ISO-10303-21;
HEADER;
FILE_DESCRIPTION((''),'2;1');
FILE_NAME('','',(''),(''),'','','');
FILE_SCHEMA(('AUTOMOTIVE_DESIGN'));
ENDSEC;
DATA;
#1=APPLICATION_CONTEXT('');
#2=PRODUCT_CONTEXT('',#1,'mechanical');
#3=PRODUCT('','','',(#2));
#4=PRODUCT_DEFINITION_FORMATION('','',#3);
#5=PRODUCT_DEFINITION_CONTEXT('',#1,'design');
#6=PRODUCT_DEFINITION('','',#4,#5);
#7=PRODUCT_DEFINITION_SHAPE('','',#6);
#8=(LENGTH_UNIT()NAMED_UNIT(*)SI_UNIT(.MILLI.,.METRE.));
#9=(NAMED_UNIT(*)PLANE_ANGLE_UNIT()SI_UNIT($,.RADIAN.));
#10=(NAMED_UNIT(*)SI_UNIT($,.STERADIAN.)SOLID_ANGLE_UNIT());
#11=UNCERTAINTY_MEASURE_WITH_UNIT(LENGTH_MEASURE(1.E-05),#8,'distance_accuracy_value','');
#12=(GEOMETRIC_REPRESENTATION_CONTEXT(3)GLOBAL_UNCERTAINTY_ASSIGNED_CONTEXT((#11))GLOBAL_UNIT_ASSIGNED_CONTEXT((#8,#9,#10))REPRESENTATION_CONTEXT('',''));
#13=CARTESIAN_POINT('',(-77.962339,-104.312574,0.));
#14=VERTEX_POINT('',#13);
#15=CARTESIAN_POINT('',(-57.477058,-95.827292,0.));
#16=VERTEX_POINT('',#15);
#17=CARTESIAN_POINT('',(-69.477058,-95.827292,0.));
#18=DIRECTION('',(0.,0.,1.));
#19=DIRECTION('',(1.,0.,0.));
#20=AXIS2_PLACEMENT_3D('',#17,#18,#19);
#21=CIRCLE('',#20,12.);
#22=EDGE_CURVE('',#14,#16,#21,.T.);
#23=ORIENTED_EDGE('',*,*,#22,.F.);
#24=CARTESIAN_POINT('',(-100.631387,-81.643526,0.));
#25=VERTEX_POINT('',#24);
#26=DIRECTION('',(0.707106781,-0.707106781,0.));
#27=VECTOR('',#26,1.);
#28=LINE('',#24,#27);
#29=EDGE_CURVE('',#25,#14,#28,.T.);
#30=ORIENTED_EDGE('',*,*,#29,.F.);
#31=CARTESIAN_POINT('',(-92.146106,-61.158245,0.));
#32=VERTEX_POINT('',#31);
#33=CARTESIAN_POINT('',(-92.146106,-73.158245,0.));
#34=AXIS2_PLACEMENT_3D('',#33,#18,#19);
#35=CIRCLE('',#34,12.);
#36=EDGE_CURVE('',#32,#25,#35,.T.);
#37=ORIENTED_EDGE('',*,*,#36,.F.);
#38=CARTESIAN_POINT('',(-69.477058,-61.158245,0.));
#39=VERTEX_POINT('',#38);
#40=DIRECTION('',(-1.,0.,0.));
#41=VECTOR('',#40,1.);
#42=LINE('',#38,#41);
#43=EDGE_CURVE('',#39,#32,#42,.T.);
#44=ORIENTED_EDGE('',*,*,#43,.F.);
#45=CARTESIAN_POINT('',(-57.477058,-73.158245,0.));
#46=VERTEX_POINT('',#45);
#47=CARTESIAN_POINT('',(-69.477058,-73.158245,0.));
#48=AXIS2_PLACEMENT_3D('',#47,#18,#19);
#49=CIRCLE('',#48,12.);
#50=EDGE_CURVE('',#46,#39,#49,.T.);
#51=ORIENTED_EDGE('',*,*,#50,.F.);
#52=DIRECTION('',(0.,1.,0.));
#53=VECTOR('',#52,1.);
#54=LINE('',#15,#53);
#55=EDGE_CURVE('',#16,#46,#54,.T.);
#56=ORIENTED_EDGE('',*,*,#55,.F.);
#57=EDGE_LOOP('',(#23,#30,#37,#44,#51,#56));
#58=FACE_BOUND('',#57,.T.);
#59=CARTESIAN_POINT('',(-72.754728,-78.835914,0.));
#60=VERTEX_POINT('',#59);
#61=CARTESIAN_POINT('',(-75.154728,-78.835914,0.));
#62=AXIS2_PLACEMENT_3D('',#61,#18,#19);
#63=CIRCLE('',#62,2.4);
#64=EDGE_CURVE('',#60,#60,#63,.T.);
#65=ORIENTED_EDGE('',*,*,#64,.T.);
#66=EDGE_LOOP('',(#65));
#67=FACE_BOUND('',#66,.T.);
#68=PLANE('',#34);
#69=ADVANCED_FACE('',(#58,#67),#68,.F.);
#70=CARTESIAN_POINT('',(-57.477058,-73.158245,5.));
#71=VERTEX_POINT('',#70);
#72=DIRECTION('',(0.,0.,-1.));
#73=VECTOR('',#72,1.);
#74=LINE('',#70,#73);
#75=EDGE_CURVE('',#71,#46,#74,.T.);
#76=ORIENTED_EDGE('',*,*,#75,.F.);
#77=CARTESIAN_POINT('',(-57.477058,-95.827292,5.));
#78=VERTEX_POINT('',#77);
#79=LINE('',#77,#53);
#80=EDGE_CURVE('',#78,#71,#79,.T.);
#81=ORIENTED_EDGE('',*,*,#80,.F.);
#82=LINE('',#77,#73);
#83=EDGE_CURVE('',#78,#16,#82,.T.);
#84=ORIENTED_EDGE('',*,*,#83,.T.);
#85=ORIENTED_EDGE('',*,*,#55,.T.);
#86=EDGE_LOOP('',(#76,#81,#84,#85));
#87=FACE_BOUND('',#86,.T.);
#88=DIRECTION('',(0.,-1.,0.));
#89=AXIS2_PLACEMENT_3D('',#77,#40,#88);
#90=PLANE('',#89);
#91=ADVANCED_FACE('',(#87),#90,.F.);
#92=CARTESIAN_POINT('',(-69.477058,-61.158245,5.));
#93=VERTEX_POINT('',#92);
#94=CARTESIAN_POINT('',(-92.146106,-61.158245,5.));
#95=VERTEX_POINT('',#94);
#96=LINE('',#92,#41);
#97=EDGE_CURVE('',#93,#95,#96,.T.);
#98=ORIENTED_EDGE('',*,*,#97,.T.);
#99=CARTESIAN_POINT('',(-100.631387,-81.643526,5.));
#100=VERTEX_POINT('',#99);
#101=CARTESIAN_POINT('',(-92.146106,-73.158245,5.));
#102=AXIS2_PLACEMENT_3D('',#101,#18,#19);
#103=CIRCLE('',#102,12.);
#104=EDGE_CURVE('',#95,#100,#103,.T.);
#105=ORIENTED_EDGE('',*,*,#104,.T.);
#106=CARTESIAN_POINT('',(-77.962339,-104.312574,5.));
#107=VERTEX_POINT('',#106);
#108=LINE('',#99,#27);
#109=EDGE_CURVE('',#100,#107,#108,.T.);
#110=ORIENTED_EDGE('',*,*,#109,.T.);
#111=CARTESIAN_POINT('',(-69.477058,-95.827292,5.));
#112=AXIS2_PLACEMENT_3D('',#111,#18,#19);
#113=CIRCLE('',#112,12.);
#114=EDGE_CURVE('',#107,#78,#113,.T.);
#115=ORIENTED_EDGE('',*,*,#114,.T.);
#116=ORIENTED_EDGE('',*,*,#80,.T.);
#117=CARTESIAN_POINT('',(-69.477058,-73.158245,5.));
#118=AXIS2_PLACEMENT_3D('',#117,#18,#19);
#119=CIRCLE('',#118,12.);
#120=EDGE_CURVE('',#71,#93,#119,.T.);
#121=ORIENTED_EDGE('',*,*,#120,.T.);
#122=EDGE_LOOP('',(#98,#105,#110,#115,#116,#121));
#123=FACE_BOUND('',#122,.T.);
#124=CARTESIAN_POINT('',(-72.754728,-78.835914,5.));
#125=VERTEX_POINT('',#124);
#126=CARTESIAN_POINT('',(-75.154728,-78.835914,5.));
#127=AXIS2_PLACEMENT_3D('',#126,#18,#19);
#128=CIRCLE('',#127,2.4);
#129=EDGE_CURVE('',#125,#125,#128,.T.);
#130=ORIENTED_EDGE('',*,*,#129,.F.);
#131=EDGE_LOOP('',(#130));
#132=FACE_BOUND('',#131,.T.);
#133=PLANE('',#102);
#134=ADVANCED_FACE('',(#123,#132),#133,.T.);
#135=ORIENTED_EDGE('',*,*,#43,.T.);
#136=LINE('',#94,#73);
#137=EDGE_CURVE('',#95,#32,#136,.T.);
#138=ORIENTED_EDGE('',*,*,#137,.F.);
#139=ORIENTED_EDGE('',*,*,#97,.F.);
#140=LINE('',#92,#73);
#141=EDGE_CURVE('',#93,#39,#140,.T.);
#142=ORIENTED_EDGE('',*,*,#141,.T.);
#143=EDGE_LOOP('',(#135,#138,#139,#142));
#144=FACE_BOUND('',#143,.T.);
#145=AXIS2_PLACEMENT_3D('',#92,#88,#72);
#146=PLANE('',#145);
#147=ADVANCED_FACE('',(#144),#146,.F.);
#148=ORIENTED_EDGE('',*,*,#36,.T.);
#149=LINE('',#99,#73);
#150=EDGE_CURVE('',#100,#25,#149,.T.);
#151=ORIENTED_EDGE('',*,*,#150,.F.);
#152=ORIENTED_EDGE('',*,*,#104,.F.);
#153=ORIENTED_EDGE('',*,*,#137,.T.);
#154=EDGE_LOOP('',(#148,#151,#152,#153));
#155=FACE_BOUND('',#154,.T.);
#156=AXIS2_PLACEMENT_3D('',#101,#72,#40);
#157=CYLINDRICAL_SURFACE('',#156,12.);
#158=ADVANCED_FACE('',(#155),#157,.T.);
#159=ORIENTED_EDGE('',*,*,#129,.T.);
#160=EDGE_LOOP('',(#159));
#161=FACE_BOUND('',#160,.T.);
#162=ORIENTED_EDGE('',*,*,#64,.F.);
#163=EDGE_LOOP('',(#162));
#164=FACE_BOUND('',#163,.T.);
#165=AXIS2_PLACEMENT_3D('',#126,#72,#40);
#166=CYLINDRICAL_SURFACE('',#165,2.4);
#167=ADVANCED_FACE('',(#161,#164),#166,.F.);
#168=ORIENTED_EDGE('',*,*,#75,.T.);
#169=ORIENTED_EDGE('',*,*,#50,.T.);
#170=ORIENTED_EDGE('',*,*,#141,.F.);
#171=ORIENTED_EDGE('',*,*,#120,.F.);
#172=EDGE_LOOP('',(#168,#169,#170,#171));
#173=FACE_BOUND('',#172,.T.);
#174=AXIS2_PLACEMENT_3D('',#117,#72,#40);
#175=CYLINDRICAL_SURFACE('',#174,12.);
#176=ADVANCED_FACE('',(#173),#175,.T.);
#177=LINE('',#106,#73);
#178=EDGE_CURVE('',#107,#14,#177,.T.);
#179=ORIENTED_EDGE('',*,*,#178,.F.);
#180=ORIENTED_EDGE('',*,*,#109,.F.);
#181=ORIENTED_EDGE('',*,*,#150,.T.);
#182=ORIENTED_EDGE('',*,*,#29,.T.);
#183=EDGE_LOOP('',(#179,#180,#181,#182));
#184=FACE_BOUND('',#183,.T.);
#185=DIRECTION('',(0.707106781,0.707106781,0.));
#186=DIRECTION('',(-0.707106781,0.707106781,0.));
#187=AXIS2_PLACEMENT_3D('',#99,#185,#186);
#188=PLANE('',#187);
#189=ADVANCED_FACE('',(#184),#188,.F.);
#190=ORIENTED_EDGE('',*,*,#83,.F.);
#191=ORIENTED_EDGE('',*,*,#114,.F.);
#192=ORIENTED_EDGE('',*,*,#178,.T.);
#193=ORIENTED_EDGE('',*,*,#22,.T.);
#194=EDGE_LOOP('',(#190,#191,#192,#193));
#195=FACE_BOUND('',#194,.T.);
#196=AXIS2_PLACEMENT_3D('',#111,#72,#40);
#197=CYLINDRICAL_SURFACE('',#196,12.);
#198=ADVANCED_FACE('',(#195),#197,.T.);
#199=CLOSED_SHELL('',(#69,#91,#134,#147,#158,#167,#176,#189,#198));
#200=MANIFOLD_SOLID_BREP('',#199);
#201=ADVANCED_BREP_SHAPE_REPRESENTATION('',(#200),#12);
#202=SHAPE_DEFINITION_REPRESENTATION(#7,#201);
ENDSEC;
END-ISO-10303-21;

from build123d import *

# Parameters (mm, degrees)
SKETCH1_R           = 2.4
BOSS_EXTRUDE1_DEPTH = 5


with BuildPart() as part:
    # Sketch1 → Boss-Extrude1 (new body)
    with BuildSketch(Plane.XY):
        with BuildLine():
            Line((-69.477058106, -61.158244655), (-92.146105665, -61.158244655))
            ThreePointArc((-92.146105665, -61.158244655), (-103.232660055, -68.566043467), (-100.631387039, -81.64352603))
            Line((-100.631387039, -81.64352603), (-77.962339481, -104.312573588))
            ThreePointArc((-77.962339481, -104.312573588), (-64.884856918, -106.913846604), (-57.477058106, -95.827292214))
            Line((-57.477058106, -95.827292214), (-57.477058106, -73.158244655))
            ThreePointArc((-57.477058106, -73.158244655), (-60.991776732, -64.672963281), (-69.477058106, -61.158244655))
        make_face()
        with Locations((-75.154727636, -78.835914185)):
            Circle(SKETCH1_R, mode=Mode.SUBTRACT)
    extrude(amount=BOSS_EXTRUDE1_DEPTH)


solid = part.part
